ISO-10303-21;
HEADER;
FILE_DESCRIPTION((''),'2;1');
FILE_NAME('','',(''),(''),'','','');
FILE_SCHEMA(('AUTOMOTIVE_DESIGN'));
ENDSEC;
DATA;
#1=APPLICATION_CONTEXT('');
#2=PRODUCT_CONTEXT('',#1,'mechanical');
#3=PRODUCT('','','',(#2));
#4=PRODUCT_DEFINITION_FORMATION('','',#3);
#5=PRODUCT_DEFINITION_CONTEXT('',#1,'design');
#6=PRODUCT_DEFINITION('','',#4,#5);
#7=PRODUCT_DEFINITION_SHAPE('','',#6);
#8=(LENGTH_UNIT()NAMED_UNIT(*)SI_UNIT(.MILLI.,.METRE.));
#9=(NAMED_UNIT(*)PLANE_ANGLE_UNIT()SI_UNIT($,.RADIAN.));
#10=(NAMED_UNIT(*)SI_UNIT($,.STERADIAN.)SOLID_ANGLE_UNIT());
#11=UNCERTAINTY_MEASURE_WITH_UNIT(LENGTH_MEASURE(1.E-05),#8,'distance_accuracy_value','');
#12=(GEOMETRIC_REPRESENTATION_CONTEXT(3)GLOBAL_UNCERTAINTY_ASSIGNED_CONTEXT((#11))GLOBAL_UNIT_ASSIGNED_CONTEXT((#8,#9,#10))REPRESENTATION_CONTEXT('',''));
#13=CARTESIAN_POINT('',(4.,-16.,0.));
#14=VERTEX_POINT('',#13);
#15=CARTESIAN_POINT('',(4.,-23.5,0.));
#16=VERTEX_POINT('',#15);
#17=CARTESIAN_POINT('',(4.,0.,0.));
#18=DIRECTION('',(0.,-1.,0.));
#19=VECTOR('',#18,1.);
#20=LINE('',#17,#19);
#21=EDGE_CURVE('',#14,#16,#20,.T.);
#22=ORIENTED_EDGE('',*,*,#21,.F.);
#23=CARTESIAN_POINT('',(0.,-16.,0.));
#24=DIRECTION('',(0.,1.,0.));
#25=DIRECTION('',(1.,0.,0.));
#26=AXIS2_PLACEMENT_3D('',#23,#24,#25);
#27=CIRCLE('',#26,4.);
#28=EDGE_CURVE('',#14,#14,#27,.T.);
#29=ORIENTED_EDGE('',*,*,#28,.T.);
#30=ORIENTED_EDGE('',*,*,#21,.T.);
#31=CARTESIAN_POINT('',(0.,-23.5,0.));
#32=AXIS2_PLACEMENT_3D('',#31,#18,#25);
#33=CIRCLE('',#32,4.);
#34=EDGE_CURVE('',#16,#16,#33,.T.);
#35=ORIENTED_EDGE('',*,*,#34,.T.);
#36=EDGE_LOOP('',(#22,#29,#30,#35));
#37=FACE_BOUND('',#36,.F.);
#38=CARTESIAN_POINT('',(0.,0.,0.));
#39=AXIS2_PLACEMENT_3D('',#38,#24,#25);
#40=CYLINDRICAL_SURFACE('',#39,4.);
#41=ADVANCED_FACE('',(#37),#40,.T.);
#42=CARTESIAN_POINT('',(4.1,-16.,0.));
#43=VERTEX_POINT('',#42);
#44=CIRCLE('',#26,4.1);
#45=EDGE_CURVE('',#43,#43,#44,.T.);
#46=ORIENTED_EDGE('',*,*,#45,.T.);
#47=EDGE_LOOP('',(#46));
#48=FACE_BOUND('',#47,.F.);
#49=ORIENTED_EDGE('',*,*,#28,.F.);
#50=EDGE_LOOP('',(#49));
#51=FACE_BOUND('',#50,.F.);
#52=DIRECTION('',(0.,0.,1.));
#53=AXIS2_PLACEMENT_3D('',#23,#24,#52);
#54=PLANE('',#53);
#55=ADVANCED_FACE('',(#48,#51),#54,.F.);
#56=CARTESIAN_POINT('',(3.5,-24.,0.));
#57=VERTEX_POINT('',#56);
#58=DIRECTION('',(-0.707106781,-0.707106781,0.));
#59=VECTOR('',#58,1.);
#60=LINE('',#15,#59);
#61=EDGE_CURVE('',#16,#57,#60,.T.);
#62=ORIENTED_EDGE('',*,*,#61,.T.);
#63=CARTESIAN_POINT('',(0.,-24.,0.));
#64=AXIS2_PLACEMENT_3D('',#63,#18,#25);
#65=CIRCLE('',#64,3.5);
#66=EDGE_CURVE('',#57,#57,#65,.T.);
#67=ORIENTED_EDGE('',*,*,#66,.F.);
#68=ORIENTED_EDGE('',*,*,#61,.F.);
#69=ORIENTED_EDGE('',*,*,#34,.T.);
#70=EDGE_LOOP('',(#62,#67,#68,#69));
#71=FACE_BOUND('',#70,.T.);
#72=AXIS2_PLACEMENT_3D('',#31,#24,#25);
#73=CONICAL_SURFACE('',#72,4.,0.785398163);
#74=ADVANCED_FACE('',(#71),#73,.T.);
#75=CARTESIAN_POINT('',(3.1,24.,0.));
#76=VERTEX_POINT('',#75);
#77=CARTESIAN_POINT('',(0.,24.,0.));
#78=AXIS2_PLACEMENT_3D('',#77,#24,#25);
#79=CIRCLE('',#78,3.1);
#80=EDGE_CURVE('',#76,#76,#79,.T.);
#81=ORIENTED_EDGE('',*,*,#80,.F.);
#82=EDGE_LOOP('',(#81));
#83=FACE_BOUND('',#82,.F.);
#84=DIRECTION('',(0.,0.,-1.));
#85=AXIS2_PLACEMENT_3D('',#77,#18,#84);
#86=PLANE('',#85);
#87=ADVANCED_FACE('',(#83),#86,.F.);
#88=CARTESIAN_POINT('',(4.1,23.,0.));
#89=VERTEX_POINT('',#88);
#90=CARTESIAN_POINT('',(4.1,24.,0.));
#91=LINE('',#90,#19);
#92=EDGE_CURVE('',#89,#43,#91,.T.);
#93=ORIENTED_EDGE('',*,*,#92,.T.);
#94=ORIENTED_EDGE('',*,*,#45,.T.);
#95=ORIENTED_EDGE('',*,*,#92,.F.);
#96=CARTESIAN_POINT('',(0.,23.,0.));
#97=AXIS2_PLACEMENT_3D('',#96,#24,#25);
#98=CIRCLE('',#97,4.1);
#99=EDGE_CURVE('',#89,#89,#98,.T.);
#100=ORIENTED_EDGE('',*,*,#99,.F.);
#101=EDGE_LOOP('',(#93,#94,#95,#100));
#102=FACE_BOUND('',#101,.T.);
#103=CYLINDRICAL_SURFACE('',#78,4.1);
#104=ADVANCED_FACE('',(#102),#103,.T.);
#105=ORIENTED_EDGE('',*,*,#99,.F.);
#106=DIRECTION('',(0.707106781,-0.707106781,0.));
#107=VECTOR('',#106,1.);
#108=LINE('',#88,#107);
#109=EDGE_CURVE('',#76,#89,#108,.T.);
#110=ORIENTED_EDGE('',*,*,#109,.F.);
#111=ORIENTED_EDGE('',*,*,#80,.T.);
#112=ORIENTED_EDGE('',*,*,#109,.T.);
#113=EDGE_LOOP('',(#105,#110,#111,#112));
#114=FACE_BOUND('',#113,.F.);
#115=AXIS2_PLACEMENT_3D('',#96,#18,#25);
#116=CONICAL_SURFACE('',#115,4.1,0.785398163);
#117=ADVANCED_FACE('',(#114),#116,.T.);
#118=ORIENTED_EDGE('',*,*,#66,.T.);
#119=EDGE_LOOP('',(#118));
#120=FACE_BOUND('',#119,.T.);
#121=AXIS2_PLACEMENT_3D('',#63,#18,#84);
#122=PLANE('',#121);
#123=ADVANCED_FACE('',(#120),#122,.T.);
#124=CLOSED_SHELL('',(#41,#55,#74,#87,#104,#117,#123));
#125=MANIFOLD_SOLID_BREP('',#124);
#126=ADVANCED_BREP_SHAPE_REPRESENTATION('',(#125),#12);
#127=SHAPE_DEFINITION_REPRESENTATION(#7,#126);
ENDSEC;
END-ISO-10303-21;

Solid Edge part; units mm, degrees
sketch "Sketch1" plane through (0, 0, 0) normal (0, -1, 0) x (1, 0, 0)
  circle A0 centre (0, 0) radius 4
  dimension "D1" = 8
extrude "Protrusion1" add sketch "Sketch1" along normal mid plane 48
sketch "Sketch2" plane through (0, 24, 0) normal (0, 1, 0) x (1, 0, 0)
  circle A0 centre (0, 0) radius 4.1
  dimension "D1" = 8.2
extrude "Ausprägung_2" add sketch "Sketch2" against normal blind 40
cosmetic_thread "Thread1" size "M8"
chamfer "Fase_2" distance 1 angle 45 1 edges at (-4.1, 24, 0)
chamfer "Fase_3" distance 0.5 angle 45 1 edges at (-4, -24, 0)
